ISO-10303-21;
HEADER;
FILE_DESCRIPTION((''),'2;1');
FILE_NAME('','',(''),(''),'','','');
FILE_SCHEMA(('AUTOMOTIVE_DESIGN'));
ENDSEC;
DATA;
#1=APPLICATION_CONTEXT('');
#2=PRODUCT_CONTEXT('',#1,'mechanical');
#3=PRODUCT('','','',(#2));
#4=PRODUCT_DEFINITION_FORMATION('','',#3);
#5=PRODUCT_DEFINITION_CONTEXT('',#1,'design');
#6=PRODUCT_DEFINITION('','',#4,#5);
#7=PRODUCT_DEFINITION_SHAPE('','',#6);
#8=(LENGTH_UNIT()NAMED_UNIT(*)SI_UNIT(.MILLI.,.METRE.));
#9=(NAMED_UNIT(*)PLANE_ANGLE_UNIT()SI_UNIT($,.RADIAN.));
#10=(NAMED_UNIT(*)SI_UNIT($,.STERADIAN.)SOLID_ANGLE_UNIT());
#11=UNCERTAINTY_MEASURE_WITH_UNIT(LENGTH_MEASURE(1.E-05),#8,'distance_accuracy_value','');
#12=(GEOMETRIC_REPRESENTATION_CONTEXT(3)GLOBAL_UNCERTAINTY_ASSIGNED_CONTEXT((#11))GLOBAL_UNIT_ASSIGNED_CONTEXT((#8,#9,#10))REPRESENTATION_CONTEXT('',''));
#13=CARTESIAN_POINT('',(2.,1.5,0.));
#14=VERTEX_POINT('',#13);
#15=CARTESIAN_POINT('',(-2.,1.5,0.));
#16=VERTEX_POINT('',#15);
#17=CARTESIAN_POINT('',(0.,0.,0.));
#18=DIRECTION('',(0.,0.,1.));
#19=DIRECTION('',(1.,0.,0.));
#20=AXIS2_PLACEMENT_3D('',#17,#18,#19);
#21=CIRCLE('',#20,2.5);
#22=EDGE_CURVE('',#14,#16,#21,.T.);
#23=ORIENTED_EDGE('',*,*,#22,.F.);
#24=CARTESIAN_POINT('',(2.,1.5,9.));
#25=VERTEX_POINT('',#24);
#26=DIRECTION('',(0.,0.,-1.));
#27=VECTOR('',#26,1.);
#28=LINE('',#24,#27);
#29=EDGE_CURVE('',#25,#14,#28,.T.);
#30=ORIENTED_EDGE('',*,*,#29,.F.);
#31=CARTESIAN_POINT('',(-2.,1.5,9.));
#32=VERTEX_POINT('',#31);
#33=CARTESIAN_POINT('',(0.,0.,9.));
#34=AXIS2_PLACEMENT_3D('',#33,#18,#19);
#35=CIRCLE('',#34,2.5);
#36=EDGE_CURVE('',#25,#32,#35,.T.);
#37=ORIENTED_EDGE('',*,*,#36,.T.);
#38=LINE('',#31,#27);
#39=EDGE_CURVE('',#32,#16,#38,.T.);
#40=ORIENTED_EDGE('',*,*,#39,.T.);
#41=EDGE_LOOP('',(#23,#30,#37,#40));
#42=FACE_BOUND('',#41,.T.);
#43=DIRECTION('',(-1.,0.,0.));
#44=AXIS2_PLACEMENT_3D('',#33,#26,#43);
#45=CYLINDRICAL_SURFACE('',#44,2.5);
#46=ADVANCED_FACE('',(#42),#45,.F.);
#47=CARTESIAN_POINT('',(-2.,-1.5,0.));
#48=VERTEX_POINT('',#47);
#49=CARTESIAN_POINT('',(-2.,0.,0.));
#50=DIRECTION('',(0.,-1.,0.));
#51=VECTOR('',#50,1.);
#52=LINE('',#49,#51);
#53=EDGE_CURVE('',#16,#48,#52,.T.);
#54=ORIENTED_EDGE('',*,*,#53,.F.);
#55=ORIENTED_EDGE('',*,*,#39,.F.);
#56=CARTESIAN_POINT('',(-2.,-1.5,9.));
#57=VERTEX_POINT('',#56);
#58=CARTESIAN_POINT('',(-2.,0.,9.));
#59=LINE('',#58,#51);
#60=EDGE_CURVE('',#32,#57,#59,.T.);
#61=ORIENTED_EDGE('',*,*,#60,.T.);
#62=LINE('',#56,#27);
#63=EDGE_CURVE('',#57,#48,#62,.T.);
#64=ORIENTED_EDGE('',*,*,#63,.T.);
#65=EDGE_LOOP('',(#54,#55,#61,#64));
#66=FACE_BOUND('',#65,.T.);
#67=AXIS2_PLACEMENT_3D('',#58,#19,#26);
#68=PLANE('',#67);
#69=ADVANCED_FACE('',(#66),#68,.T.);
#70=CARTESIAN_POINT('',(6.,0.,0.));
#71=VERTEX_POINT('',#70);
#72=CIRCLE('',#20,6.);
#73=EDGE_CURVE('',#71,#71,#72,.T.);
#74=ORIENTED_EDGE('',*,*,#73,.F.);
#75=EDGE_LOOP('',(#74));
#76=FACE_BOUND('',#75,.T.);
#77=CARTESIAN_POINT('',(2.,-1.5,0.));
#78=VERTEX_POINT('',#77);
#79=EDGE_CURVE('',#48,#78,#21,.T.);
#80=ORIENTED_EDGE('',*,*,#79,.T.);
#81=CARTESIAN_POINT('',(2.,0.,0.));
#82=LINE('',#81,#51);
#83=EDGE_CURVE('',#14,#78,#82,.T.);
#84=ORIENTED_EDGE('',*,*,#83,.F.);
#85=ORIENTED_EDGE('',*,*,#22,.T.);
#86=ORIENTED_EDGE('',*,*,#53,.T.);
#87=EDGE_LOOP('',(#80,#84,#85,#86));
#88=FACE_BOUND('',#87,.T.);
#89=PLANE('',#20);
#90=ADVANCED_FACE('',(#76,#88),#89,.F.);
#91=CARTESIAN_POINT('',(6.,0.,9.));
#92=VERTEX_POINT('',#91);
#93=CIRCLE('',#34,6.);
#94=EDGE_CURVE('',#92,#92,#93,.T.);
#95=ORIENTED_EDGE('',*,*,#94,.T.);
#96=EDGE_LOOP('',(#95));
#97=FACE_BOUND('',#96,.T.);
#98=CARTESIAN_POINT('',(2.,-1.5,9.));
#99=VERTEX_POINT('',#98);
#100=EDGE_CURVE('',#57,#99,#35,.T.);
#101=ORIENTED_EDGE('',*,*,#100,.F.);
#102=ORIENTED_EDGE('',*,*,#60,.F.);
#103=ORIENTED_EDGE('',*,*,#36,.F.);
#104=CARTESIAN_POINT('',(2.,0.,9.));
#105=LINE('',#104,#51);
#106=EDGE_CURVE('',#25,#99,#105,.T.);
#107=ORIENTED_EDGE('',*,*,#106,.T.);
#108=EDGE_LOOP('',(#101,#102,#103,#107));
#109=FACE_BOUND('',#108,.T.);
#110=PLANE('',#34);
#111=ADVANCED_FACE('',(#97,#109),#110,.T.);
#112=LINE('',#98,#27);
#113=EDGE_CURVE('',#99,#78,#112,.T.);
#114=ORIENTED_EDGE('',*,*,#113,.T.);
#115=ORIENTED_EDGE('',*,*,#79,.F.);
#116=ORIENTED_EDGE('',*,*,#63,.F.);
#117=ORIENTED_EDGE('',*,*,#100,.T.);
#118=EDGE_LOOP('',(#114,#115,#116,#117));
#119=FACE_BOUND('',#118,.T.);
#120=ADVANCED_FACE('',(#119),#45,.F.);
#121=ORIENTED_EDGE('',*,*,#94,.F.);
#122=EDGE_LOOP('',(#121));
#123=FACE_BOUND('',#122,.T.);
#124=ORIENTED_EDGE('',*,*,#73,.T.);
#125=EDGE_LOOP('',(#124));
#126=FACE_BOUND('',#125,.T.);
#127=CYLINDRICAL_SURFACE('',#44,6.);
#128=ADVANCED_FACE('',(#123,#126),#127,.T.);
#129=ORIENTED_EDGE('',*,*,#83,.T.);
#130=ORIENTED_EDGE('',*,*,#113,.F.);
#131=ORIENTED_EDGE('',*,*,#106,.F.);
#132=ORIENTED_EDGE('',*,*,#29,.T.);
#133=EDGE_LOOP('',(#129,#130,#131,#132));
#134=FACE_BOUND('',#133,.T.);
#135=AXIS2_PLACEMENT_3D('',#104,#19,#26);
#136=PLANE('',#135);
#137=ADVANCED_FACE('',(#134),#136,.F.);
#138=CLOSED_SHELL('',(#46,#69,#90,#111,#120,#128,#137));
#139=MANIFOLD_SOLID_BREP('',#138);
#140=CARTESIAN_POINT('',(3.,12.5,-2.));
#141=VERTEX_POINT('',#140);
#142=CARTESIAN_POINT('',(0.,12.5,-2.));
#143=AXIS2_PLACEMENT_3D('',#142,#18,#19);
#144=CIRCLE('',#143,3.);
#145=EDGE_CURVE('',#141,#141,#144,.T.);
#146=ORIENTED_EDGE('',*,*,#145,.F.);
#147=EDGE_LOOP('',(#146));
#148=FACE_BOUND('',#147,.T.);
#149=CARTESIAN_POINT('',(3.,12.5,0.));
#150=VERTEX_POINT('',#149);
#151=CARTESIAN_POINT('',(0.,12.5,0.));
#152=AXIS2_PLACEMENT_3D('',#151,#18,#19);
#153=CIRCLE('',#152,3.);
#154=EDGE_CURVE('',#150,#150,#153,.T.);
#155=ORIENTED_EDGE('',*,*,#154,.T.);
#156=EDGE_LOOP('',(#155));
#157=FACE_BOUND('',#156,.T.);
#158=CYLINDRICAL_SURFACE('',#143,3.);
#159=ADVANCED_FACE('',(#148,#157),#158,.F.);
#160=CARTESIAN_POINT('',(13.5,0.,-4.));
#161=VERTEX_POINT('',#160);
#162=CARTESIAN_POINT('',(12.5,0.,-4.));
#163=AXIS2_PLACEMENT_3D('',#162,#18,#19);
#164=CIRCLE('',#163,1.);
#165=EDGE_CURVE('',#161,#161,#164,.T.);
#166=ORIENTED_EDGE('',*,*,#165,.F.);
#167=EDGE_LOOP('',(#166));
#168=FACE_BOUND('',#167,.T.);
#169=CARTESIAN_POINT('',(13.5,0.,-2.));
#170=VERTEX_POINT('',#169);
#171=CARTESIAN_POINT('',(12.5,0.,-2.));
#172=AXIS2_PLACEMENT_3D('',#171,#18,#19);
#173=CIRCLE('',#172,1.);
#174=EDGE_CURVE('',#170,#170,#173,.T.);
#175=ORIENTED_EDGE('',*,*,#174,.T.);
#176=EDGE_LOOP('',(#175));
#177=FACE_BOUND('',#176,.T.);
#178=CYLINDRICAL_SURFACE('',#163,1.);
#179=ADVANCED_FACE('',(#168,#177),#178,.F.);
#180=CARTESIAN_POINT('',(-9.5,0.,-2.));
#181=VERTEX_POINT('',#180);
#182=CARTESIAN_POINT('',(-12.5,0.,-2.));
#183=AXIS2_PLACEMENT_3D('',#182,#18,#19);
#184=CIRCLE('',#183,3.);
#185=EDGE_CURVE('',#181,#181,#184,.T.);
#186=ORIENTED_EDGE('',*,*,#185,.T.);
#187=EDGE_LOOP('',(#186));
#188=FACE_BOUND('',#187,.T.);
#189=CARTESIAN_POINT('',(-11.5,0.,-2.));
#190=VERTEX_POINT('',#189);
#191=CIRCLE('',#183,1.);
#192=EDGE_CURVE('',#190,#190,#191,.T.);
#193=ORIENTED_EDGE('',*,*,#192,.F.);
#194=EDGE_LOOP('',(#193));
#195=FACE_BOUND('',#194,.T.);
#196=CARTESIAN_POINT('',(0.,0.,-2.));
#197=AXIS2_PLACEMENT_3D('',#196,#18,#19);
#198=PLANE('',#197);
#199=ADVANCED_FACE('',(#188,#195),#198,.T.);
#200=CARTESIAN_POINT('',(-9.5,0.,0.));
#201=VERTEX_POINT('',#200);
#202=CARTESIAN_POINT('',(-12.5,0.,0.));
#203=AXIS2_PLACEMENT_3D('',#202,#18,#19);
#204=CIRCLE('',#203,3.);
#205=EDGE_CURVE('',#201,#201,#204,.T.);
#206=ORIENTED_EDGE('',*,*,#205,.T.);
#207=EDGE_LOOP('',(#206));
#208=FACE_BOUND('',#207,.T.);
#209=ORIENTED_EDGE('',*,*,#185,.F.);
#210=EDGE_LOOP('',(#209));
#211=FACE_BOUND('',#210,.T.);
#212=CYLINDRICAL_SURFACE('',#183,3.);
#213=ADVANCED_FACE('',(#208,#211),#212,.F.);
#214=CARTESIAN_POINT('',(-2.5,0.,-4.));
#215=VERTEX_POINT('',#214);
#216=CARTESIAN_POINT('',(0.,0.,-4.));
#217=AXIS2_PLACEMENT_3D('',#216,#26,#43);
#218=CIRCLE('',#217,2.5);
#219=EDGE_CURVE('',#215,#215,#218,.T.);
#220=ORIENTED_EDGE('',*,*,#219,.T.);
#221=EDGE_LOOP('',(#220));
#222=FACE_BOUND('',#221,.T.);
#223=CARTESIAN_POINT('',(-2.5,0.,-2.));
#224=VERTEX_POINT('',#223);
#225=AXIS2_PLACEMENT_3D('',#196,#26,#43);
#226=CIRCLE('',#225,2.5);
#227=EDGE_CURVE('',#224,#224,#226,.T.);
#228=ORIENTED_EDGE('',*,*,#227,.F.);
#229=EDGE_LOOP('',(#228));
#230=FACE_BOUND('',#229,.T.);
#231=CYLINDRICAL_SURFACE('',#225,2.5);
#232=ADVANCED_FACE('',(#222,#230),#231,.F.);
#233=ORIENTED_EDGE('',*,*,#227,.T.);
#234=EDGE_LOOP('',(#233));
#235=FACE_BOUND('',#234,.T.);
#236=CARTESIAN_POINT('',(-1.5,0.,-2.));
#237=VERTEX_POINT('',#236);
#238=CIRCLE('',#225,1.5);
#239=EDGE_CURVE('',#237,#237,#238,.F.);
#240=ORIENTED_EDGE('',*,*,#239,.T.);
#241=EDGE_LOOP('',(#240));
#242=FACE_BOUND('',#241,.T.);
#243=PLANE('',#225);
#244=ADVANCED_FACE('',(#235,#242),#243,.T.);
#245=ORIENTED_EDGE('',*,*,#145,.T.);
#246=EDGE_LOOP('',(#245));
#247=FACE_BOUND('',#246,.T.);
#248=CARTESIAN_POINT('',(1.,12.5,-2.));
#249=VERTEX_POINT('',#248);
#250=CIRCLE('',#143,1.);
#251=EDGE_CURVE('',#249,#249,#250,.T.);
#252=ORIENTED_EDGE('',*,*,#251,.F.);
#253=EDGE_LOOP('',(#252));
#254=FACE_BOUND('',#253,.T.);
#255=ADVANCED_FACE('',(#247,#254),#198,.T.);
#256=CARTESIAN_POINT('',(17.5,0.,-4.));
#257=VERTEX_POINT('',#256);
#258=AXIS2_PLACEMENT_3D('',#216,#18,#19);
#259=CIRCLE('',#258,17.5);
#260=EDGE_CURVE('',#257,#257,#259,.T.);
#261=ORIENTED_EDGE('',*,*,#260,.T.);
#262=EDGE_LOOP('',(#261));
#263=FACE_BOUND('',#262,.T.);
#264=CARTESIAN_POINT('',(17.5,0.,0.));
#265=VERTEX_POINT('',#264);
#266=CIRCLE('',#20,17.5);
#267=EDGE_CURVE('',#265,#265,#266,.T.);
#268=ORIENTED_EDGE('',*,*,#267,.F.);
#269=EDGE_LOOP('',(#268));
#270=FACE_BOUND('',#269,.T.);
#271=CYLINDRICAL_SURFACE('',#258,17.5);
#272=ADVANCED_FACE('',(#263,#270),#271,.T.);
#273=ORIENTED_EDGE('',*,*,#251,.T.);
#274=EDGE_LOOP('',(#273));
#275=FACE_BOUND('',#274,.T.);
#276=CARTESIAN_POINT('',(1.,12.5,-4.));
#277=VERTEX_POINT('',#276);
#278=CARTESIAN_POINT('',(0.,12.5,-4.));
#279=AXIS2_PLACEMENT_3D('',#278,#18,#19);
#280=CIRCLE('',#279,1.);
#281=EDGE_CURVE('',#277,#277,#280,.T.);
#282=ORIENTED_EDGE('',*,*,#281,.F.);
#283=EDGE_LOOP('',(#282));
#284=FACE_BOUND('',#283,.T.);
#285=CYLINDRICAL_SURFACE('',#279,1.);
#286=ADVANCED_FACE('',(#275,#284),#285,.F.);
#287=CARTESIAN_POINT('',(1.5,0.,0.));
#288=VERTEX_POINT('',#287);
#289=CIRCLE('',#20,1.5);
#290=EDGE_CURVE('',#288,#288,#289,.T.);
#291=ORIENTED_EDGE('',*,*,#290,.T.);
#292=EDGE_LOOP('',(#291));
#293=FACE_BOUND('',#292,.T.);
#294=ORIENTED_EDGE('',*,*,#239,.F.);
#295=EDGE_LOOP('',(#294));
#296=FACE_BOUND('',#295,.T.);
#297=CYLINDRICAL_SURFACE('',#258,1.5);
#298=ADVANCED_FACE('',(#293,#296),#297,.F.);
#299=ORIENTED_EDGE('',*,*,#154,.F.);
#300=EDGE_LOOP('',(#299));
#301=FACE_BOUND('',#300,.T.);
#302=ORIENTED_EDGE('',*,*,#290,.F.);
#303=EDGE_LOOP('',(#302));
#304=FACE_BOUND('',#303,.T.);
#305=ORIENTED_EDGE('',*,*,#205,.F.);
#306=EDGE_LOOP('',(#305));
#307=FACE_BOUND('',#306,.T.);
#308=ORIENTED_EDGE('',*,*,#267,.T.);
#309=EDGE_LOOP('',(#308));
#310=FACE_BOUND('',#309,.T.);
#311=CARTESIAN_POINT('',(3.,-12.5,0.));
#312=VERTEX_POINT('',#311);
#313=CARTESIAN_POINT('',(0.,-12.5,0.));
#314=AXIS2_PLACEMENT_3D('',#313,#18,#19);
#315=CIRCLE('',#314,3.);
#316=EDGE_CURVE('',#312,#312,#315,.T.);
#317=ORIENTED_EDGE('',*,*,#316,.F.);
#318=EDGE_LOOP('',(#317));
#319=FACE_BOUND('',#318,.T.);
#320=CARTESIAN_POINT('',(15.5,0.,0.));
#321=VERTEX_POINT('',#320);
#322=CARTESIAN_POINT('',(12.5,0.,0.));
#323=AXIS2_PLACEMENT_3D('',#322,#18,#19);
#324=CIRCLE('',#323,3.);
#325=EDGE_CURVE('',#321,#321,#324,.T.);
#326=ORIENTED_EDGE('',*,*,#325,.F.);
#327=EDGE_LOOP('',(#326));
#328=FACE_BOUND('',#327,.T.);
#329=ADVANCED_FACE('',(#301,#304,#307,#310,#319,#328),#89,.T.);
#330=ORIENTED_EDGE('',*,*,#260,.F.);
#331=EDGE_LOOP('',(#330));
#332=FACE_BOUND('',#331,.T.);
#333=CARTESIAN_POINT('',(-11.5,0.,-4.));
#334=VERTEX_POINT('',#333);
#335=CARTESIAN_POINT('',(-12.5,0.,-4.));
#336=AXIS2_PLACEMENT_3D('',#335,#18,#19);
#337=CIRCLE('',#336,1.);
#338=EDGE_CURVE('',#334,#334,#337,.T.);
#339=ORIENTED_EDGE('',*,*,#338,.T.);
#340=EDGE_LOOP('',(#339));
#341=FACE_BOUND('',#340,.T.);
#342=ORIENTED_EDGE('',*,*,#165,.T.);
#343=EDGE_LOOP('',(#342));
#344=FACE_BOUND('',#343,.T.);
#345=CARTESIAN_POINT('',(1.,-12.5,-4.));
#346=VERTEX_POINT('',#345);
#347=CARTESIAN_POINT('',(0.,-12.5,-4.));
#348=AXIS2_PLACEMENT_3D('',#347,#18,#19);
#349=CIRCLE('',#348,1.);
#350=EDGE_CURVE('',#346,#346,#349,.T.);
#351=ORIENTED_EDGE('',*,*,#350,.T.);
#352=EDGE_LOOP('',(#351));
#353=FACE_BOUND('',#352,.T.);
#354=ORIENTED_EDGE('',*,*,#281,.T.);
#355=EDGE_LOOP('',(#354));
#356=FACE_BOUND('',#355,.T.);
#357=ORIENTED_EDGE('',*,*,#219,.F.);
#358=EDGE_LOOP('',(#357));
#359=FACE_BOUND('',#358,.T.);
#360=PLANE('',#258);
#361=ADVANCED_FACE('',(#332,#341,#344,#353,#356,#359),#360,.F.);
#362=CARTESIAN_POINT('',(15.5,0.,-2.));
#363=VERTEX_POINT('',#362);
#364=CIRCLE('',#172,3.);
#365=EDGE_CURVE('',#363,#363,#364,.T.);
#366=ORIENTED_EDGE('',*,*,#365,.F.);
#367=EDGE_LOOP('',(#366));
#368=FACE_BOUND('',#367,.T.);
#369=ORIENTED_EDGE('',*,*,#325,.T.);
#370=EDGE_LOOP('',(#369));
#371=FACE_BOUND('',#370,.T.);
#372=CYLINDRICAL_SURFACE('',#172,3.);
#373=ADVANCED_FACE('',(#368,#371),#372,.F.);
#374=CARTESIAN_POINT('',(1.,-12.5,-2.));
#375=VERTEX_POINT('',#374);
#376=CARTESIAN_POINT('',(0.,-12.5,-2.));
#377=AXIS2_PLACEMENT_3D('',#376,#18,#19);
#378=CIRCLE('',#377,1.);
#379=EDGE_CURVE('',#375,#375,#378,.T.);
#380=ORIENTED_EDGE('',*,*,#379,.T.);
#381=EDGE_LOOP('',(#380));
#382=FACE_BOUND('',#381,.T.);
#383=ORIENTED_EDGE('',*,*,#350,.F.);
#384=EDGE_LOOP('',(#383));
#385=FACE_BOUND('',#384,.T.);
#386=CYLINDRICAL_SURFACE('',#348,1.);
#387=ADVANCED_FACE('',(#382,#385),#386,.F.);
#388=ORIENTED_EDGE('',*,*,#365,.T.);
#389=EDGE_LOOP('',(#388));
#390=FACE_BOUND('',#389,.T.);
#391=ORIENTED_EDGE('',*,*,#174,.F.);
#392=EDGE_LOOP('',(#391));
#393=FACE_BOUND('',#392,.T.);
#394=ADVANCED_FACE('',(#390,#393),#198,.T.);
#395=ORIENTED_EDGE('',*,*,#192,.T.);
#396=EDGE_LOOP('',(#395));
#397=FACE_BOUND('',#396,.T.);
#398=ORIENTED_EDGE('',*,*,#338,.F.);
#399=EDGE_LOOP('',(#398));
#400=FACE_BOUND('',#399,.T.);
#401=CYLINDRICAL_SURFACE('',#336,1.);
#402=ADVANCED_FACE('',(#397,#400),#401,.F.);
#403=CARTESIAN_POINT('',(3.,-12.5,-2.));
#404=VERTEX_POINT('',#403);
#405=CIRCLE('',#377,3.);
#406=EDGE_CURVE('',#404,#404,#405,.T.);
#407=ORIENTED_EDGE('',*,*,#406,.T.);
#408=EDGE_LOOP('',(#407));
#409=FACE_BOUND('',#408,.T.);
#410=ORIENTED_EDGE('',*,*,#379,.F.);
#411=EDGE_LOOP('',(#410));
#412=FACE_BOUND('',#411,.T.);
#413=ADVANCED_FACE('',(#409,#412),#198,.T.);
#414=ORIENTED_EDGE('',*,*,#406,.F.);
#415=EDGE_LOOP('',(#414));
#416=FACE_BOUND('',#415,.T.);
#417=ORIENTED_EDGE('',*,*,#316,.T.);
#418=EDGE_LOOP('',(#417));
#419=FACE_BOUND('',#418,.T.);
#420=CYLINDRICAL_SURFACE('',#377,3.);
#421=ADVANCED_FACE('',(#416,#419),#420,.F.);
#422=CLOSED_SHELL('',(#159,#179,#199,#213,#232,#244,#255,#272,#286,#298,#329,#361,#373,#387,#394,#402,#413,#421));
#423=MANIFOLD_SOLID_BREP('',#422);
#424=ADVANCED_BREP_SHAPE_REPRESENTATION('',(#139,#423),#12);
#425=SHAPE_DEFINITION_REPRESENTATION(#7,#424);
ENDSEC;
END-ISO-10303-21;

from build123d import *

# Parameters (mm, degrees)
SKETCH1_R           = 17.5
SKETCH1_R_2         = 1.5
SKETCH1_R_3         = 1
BOSS_EXTRUDE1_DEPTH = 4
SKETCH1_3_R         = 6
BOSS_EXTRUDE2_DEPTH = 9
SKETCH2_R           = 2.5
CUT_EXTRUDE1_DEPTH  = 2
SKETCH1_6_R         = 3
SKETCH1_6_R_2       = 1
CUT_EXTRUDE2_DEPTH  = 2


with BuildPart() as part:
    # Sketch1 → Boss-Extrude1 (new body)
    with BuildSketch(Plane.XY):
        Circle(SKETCH1_R)
        Circle(SKETCH1_R_2, mode=Mode.SUBTRACT)
        with Locations((0, -12.5)):
            Circle(SKETCH1_R_3, mode=Mode.SUBTRACT)
        with Locations((12.5, 0)):
            Circle(SKETCH1_R_3, mode=Mode.SUBTRACT)
        with Locations((-12.5, 0)):
            Circle(SKETCH1_R_3, mode=Mode.SUBTRACT)
        with Locations((0, 12.5)):
            Circle(SKETCH1_R_3, mode=Mode.SUBTRACT)
    extrude(amount=-BOSS_EXTRUDE1_DEPTH)

    # Sketch2 → Cut-Extrude1 (cut)
    with BuildSketch(Plane(origin=(0, 0, -4), x_dir=(-1, 0, 0), z_dir=(0, 0, -1))):
        Circle(SKETCH2_R)
    extrude(amount=-CUT_EXTRUDE1_DEPTH, mode=Mode.SUBTRACT)

    # Sketch1<6> → Cut-Extrude2 (cut)
    # profile 1 of 4: a face of its own
    with BuildSketch(Plane.XY):
        with Locations((0, 12.5)):
            Circle(SKETCH1_6_R)
        with Locations((0, 12.5)):
            Circle(SKETCH1_6_R_2, mode=Mode.SUBTRACT)
    # profile 2 of 4: a face of its own
    with BuildSketch(Plane.XY):
        with Locations((12.5, 0)):
            Circle(SKETCH1_6_R)
        with Locations((12.5, 0)):
            Circle(SKETCH1_6_R_2, mode=Mode.SUBTRACT)
    # profile 3 of 4: a face of its own
    with BuildSketch(Plane.XY):
        with Locations((0, -12.5)):
            Circle(SKETCH1_6_R)
        with Locations((0, -12.5)):
            Circle(SKETCH1_6_R_2, mode=Mode.SUBTRACT)
    # profile 4 of 4: a face of its own
    with BuildSketch(Plane.XY):
        with Locations((-12.5, 0)):
            Circle(SKETCH1_6_R)
        with Locations((-12.5, 0)):
            Circle(SKETCH1_6_R_2, mode=Mode.SUBTRACT)
    extrude(amount=-CUT_EXTRUDE2_DEPTH, mode=Mode.SUBTRACT)


with BuildPart() as body_2:
    # Sketch1<3> → Boss-Extrude2 (new body)
    with BuildSketch(Plane.XY):
        Circle(SKETCH1_3_R)
        with BuildLine():
            Line((-2, -1.5), (-2, 1.5))
            ThreePointArc((-2, 1.5), (0, 2.5), (2, 1.5))
            Line((2, 1.5), (2, -1.5))
            ThreePointArc((2, -1.5), (0, -2.5), (-2, -1.5))
        make_face(mode=Mode.SUBTRACT)
    extrude(amount=BOSS_EXTRUDE2_DEPTH)


solid = Compound([part.part, body_2.part])
